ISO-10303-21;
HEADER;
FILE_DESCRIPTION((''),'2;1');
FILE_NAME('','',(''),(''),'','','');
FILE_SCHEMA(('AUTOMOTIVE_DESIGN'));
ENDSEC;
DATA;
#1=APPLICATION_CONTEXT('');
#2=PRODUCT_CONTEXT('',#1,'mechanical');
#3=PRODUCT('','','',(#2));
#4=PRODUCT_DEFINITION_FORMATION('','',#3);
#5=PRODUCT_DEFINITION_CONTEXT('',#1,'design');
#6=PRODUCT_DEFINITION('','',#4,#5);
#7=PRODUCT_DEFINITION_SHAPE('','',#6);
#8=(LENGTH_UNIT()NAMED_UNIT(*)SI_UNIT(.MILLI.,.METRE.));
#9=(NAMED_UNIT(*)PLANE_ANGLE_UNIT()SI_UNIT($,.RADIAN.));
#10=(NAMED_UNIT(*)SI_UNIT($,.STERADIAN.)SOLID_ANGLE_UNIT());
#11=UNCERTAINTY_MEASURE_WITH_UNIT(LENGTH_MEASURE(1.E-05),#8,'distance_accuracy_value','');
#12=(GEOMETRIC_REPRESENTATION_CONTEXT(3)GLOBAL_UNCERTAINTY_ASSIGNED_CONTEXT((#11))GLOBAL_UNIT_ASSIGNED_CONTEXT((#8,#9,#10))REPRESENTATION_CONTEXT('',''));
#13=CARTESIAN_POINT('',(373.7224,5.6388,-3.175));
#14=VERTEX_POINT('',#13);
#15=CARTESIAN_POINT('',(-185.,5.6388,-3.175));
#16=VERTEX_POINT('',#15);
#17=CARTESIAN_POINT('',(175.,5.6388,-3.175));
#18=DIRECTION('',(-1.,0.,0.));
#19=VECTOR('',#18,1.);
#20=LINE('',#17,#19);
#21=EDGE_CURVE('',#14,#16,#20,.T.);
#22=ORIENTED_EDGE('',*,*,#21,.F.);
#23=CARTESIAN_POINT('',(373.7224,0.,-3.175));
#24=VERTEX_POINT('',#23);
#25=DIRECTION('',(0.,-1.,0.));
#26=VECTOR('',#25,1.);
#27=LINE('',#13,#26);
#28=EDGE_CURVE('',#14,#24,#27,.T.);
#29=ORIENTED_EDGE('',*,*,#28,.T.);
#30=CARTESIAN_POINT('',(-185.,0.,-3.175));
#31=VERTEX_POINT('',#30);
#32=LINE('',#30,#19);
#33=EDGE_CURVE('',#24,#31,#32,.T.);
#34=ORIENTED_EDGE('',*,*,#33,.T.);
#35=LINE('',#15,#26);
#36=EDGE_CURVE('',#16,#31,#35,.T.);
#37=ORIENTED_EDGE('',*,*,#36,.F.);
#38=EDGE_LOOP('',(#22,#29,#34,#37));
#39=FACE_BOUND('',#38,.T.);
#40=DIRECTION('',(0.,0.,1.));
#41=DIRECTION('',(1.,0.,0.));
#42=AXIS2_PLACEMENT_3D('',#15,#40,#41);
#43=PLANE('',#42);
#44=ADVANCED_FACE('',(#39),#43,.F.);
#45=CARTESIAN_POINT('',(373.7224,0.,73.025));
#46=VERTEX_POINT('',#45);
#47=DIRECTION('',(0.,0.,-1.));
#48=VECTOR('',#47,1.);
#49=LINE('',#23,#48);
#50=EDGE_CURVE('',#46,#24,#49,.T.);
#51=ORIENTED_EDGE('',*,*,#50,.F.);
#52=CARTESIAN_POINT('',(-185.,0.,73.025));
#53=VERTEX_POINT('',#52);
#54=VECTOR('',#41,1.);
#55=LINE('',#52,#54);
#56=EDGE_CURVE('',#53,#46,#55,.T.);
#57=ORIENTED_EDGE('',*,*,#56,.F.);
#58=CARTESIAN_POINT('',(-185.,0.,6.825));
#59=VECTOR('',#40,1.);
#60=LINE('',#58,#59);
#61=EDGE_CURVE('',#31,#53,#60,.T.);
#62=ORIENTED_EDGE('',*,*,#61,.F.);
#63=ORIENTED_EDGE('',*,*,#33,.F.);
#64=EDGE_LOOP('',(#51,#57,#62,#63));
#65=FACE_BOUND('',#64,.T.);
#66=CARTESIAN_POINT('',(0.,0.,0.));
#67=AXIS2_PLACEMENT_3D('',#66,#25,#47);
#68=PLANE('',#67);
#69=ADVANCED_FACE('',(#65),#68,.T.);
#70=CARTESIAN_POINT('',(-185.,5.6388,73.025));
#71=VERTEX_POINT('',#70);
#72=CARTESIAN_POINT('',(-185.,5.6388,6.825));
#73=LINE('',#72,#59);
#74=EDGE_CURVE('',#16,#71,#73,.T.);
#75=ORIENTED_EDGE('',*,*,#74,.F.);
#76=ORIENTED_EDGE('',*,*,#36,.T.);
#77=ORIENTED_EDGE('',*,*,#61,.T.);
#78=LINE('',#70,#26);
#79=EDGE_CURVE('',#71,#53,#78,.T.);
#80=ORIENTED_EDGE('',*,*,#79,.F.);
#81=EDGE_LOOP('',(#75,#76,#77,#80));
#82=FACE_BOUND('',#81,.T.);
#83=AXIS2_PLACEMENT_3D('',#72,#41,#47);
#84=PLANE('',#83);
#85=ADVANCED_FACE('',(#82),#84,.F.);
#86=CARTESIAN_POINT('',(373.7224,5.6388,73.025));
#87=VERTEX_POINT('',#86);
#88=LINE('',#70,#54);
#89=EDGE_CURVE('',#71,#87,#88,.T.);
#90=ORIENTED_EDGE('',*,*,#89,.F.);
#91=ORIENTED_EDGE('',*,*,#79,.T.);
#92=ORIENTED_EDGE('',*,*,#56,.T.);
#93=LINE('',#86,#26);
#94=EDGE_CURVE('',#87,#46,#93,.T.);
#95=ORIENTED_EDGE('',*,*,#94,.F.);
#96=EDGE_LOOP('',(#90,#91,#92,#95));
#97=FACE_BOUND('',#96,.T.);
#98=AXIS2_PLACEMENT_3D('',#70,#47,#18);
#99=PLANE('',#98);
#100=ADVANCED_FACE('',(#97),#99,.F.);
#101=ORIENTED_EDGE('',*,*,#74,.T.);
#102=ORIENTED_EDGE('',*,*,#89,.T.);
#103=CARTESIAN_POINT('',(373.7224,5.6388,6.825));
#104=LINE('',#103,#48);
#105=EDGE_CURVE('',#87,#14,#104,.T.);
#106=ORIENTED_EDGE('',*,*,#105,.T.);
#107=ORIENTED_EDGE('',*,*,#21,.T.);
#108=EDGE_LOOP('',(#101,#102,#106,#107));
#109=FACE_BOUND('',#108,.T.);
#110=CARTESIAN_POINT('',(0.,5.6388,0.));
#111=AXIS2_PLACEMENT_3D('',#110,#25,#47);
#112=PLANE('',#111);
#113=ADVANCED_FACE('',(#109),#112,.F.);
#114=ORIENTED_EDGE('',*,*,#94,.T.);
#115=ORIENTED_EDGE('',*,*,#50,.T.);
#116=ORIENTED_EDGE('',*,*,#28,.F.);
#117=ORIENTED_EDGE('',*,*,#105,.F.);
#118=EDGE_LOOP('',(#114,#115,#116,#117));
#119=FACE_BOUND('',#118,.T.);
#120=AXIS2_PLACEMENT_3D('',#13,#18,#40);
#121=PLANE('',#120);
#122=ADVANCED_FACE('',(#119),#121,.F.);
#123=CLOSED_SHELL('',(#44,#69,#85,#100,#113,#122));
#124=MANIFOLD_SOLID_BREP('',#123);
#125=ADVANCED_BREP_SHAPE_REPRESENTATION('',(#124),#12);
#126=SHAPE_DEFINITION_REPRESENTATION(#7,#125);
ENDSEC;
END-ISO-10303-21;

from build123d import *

# Parameters (mm, degrees)
BOSS_EXTRUDE1_DEPTH = 5.6388


with BuildPart() as part:
    # Sketch1 → Boss-Extrude1 (new body)
    with BuildSketch(Plane(origin=(0, 0, 0), x_dir=(1, 0, 0), z_dir=(0, 1, 0))):
        Polygon((-185, -73.025), (373.7224, -73.025), (373.7224, -6.825), (373.7224, 3.175), (175, 3.175), (-175, 3.175), (-185, 3.175), (-185, -6.825), align=None)
    extrude(amount=BOSS_EXTRUDE1_DEPTH)


solid = part.part
